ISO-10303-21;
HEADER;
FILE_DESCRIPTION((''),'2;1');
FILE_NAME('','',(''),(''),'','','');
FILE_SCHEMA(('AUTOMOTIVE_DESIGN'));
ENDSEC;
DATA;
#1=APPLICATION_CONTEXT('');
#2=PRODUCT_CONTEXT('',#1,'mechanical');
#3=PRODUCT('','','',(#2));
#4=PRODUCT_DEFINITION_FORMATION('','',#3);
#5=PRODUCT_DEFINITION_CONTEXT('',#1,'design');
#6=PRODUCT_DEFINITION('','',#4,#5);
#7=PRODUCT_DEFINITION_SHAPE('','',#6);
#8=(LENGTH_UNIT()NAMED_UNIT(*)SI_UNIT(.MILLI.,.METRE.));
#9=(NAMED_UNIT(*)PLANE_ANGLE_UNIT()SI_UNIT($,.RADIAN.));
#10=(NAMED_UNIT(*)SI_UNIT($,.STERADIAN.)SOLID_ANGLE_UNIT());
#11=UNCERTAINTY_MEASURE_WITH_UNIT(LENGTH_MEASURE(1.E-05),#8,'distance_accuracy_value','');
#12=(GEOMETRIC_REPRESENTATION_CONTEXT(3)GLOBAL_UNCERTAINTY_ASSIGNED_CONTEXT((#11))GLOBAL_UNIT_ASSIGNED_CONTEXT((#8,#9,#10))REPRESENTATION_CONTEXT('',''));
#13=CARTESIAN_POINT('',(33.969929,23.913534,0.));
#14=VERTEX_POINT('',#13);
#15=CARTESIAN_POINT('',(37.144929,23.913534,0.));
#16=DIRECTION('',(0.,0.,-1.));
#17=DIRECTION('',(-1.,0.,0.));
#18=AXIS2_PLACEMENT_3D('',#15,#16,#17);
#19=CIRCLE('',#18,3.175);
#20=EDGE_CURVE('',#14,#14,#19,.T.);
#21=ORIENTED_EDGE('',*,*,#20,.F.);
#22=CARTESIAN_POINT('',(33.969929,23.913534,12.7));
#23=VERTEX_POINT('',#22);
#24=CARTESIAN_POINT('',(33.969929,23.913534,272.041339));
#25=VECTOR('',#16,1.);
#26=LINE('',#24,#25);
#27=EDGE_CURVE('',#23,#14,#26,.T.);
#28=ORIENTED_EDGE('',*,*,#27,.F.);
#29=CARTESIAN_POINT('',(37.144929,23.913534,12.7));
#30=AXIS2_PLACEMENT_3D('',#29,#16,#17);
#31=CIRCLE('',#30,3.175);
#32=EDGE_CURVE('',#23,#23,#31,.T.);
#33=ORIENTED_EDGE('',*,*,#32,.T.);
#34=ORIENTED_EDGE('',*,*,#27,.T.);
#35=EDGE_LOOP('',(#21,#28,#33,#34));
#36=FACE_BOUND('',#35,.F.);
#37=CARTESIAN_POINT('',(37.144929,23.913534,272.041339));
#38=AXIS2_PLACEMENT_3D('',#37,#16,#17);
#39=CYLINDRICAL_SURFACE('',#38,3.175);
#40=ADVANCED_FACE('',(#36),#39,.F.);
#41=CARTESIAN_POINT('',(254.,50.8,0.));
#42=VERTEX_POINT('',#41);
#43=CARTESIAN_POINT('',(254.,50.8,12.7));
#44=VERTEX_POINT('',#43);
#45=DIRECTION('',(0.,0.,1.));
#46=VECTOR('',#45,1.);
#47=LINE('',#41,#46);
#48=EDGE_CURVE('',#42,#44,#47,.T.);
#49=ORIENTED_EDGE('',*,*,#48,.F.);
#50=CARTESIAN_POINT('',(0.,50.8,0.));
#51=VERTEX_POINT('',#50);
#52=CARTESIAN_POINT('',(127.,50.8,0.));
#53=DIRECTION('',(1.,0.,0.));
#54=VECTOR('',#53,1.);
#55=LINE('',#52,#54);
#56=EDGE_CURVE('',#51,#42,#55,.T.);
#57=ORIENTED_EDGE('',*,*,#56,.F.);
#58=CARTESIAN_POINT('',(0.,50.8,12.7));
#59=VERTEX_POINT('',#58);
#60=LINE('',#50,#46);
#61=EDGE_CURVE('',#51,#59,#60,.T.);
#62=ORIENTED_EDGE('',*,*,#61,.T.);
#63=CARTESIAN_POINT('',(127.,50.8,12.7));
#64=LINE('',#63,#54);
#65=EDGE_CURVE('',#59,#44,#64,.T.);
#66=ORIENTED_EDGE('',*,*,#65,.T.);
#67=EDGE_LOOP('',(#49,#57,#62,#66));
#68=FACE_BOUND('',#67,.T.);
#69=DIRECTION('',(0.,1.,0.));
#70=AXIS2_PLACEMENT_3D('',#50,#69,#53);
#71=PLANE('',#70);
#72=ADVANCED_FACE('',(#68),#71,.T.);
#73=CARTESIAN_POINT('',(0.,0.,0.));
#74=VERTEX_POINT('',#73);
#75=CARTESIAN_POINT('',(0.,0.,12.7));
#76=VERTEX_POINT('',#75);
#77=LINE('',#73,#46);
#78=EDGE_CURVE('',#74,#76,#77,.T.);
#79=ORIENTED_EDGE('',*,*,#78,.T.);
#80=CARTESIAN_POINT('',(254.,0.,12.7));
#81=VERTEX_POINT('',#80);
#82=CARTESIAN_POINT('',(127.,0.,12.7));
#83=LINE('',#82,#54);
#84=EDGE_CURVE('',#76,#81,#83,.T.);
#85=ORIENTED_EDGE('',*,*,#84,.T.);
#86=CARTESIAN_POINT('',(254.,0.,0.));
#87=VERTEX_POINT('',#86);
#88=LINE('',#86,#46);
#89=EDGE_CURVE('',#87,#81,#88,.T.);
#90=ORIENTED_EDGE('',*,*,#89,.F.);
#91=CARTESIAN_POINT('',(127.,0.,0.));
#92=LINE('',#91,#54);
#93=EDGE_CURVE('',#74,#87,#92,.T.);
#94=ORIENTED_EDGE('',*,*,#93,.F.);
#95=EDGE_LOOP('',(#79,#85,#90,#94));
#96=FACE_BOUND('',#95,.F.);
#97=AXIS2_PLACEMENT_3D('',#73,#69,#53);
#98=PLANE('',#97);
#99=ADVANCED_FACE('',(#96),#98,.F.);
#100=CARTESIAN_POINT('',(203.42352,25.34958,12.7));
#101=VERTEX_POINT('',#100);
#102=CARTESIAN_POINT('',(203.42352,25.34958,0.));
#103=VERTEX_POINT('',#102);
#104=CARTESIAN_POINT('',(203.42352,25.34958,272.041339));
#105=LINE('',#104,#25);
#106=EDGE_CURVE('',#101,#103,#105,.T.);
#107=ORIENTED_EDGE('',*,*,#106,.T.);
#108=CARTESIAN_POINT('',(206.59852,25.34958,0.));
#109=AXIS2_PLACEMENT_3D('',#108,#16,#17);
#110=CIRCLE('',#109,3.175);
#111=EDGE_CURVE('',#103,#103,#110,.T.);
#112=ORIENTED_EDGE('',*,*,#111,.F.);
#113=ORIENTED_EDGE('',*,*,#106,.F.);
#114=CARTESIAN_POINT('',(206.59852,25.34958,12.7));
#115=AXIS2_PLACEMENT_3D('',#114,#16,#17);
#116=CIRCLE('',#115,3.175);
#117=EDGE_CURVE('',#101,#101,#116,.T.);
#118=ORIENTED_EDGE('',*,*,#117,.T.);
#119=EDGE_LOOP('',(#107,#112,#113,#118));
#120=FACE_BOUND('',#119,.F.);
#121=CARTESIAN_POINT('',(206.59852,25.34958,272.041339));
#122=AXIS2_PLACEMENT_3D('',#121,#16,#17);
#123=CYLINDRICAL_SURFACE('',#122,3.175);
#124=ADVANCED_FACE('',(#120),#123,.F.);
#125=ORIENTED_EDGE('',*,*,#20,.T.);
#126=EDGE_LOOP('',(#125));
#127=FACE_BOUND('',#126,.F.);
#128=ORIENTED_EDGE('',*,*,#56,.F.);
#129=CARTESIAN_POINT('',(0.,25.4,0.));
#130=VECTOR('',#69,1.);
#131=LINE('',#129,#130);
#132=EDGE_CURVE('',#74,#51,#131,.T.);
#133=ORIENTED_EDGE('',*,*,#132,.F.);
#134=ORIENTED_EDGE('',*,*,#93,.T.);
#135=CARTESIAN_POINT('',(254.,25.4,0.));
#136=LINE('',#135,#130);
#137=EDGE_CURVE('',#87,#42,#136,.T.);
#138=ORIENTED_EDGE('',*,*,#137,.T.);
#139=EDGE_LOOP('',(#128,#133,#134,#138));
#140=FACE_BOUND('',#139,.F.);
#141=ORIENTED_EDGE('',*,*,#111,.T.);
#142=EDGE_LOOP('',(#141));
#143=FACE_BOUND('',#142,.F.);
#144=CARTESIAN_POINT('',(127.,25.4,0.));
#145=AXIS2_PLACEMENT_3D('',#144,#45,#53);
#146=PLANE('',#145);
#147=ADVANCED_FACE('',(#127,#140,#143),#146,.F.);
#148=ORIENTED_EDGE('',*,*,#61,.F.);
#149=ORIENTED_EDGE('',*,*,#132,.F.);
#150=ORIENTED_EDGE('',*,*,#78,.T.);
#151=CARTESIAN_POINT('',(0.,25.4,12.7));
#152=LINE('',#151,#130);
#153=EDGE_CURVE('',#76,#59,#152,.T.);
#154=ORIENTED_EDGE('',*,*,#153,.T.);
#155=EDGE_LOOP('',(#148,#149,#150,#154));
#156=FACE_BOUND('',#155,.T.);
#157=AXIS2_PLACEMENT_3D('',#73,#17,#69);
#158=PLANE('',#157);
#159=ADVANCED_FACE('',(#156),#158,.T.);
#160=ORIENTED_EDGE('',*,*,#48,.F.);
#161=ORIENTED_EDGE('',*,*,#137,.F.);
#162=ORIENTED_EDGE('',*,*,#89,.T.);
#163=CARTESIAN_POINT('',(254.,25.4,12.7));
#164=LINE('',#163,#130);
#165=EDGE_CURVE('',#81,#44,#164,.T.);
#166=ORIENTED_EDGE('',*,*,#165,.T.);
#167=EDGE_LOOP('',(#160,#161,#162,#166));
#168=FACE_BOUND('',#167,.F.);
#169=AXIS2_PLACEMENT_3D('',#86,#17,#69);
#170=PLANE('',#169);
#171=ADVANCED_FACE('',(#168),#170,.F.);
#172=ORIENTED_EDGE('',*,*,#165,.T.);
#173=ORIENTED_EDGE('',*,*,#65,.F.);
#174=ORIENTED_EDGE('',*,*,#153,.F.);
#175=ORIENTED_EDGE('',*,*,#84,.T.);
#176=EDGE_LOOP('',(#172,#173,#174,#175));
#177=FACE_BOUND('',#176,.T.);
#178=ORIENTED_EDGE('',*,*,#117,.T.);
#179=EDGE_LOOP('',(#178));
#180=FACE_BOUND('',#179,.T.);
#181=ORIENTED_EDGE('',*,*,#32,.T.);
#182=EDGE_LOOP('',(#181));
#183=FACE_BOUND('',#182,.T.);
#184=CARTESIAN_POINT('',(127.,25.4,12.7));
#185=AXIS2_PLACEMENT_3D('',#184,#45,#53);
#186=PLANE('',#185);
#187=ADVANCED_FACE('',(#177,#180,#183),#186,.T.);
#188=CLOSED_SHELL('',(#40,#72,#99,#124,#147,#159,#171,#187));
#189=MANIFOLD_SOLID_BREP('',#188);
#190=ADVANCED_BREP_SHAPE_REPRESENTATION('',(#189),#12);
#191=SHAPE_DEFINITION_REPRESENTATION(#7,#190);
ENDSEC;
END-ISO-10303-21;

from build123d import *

# Parameters (mm, degrees)
F0_W     = 254
F0_H     = 50.8
F1_DEPTH = 12.7
F3_D     = 6.35


with BuildPart() as f1:
    # F0 (on Top) → F1 (new body)
    with BuildSketch(Plane.XY):
        with Locations((127, 25.4)):
            Rectangle(F0_W, F0_H)
    extrude(amount=F1_DEPTH)

    # F3 (through all)
    with Locations(Plane.XY.offset(12.7)):
        with Locations((37.144929, 23.913534), (206.59852, 25.34958)):
            Hole(F3_D / 2)


solid = f1.part
